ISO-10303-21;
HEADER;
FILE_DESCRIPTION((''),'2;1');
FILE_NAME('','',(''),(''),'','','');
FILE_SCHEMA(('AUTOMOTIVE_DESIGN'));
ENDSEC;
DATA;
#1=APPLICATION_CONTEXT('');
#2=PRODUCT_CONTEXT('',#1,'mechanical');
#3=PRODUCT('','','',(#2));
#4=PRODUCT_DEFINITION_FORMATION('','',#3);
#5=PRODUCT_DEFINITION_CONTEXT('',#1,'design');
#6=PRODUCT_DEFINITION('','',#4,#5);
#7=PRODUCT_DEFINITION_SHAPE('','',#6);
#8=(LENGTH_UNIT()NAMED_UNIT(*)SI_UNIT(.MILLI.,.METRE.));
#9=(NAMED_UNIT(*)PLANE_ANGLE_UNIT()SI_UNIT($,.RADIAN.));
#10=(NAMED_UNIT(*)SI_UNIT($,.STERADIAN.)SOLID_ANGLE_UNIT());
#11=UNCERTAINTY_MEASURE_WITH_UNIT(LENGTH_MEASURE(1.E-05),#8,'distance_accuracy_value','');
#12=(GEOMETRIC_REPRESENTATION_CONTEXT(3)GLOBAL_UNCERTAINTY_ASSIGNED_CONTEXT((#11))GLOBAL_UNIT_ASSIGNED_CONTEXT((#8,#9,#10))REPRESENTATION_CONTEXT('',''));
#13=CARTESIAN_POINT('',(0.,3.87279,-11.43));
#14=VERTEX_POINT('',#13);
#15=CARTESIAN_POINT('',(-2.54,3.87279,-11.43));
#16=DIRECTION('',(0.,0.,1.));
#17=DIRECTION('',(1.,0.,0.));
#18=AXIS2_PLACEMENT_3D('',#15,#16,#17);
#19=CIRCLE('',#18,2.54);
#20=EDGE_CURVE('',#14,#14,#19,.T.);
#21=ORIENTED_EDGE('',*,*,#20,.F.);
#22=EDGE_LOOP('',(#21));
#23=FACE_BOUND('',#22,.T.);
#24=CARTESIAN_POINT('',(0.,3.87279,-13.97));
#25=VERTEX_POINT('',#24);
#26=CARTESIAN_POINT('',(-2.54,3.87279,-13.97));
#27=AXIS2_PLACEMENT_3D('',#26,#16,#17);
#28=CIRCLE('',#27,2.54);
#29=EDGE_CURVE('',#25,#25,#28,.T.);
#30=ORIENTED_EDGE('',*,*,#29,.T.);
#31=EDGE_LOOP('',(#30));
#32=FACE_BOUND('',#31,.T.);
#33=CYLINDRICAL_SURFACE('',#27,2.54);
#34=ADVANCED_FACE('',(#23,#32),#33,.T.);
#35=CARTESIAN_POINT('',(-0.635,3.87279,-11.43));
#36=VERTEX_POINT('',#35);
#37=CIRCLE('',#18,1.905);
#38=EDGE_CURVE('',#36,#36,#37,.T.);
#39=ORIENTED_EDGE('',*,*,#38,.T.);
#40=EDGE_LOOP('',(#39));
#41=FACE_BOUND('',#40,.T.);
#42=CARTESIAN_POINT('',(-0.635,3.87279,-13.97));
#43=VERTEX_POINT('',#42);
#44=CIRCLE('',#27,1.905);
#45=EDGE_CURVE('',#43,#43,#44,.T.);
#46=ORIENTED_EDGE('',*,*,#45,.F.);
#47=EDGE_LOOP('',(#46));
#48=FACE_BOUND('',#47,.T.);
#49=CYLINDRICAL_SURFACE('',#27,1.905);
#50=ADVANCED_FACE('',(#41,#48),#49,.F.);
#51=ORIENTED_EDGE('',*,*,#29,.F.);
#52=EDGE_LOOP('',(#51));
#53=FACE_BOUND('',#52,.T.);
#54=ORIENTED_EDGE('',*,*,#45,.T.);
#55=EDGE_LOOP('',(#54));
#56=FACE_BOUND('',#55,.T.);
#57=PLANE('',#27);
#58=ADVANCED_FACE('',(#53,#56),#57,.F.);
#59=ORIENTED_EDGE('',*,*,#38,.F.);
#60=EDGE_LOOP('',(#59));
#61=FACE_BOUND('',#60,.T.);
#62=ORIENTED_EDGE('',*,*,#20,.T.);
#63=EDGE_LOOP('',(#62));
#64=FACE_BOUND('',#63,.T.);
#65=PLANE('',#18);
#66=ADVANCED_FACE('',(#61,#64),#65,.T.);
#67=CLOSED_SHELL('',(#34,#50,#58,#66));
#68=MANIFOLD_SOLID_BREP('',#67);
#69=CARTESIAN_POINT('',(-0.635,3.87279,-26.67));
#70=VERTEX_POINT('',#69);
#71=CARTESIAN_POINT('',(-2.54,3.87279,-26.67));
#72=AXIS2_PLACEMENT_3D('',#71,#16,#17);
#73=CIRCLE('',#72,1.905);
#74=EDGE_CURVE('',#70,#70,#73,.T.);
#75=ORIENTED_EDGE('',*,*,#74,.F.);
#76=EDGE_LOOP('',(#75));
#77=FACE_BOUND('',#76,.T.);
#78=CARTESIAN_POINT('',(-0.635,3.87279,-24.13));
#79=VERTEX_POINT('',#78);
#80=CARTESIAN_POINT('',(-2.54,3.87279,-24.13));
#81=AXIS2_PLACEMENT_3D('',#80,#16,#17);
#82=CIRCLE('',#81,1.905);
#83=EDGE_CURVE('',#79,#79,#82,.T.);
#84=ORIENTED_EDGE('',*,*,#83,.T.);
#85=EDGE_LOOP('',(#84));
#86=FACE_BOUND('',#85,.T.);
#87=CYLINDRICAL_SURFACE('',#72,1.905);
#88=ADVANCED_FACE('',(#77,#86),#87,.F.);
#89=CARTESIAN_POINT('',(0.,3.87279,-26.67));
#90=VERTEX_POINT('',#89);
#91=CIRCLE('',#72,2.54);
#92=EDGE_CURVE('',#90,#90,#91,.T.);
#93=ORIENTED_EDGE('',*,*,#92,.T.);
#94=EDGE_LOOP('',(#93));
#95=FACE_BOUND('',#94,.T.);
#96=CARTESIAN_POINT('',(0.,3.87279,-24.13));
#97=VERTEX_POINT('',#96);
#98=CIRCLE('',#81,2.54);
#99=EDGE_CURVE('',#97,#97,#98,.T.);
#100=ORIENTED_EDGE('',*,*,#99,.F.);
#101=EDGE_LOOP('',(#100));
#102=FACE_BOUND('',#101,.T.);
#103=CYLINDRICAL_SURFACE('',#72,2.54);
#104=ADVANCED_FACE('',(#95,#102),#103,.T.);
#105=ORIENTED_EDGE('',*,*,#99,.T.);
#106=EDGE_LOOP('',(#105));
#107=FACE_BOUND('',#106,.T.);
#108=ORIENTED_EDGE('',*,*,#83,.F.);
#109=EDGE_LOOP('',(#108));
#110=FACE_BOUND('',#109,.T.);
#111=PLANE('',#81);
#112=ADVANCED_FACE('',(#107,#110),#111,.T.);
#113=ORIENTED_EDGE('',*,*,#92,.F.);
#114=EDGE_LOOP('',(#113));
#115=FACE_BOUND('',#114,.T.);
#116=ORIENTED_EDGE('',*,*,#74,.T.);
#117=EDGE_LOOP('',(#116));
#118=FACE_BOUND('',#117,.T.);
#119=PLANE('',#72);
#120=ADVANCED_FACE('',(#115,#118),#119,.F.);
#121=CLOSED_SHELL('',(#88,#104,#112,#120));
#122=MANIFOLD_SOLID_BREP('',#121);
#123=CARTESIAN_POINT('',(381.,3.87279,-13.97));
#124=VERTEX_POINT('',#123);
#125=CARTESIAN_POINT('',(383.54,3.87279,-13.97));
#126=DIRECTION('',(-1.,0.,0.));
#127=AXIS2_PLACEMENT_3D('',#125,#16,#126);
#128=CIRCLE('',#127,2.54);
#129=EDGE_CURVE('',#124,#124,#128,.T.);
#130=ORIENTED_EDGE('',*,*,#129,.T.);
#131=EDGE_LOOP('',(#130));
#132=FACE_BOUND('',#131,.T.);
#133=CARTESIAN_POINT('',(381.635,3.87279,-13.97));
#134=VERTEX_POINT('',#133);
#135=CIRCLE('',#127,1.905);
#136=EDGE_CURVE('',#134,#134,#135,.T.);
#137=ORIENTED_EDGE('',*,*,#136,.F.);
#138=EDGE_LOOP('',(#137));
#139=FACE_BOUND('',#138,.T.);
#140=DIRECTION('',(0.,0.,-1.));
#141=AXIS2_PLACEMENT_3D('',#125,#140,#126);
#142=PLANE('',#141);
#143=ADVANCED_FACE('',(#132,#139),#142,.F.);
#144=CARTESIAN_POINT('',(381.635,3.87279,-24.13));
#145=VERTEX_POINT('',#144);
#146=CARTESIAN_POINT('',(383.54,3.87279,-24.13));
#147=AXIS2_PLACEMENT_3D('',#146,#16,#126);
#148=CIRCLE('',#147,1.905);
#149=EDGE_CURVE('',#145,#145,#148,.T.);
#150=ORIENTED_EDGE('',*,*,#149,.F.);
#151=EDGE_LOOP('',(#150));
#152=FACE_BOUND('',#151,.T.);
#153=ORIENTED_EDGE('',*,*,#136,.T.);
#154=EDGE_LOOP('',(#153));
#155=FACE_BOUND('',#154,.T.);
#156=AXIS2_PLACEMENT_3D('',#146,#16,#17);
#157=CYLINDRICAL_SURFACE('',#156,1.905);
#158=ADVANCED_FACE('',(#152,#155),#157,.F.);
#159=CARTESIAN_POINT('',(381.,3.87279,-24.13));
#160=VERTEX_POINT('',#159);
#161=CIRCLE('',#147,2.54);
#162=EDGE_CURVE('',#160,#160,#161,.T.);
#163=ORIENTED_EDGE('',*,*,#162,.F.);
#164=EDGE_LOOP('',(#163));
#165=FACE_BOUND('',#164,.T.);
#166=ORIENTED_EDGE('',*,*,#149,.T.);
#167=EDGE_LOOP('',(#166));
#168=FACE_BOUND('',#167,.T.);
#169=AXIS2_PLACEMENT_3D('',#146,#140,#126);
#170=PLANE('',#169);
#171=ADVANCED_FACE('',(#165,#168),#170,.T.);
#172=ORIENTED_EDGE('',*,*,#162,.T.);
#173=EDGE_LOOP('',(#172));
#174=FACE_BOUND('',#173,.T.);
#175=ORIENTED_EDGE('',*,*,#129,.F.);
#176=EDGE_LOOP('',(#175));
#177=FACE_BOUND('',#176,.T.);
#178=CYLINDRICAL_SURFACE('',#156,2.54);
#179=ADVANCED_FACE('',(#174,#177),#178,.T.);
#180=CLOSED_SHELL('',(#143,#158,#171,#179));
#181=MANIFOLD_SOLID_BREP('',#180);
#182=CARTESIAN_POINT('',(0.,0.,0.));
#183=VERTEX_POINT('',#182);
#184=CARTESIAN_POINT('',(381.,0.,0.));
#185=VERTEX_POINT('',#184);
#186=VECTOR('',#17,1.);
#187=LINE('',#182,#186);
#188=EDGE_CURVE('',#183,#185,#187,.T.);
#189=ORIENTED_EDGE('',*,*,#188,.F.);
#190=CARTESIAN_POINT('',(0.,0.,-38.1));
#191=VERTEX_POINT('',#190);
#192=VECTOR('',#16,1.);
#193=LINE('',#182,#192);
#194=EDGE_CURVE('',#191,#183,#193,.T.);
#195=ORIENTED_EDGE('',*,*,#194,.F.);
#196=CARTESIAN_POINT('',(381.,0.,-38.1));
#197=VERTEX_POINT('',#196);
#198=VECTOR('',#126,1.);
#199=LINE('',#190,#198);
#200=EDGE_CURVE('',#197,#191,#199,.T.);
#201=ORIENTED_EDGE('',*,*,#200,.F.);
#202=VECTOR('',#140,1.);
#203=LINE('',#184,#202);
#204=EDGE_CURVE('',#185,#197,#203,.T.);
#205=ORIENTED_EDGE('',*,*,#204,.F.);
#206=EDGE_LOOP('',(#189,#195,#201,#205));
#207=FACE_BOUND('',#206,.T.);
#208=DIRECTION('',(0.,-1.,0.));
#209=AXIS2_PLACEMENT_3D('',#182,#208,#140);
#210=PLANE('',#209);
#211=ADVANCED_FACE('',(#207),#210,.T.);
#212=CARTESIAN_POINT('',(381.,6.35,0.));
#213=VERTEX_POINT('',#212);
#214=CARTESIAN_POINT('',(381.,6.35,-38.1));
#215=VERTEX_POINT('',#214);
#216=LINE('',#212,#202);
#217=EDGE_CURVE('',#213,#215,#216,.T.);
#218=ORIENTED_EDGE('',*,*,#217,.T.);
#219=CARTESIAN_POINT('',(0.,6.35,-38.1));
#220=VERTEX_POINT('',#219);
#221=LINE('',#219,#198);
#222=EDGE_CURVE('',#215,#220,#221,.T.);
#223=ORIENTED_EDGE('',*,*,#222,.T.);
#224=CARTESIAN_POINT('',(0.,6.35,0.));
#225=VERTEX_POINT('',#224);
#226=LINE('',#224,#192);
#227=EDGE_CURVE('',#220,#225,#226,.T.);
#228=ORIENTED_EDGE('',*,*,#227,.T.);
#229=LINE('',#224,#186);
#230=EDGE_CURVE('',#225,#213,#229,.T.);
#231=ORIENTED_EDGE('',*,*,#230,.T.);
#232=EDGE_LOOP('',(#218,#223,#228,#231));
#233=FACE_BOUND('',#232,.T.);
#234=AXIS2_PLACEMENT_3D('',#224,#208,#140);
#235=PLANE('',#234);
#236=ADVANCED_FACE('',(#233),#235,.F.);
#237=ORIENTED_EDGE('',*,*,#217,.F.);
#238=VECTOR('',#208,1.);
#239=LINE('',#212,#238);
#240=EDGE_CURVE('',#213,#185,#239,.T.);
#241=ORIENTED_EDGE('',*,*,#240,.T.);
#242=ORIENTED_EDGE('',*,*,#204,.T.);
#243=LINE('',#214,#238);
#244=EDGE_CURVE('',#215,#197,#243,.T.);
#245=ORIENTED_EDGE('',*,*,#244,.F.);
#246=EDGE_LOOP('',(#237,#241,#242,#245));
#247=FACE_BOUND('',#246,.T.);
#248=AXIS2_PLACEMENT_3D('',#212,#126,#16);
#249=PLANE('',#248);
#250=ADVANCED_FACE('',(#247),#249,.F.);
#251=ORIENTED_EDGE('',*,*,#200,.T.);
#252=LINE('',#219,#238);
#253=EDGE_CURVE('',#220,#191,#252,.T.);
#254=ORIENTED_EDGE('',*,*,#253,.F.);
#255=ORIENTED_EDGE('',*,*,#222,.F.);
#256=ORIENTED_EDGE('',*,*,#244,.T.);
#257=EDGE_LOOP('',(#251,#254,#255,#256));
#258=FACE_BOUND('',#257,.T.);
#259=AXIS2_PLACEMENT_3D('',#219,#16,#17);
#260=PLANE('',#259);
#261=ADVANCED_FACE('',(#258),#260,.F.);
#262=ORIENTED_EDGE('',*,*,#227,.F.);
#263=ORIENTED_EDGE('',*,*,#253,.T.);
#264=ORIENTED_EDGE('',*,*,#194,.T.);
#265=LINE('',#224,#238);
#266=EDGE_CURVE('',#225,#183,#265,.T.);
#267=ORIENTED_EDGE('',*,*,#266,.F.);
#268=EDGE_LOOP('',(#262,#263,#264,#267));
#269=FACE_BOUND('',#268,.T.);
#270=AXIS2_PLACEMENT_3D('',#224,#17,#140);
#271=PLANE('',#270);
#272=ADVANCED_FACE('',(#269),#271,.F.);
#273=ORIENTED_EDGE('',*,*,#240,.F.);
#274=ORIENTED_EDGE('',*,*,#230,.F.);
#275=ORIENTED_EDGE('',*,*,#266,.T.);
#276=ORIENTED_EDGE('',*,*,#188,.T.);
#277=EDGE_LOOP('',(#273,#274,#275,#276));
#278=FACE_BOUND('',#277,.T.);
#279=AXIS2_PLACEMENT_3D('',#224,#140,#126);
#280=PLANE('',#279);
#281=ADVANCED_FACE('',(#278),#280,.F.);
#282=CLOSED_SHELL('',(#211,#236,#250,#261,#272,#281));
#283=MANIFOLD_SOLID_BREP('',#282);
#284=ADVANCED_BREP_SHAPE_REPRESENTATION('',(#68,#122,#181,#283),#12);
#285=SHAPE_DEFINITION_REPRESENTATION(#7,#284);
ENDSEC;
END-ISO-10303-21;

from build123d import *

# Parameters (mm, degrees)
SKETCH1_W                = 381
SKETCH1_H                = 38.1
BOSS_EXTRUDE1_DEPTH      = 6.35
SKETCH2_R                = 2.54
SKETCH2_R_2              = 1.905
BOSS_EXTRUDE2_DEPTH      = 1.27
LPATTERN1_COUNT          = 2
LPATTERN1_PITCH          = 12.7
BOSS_EXTRUDE4_DEPTH      = 5.08
BOSS_EXTRUDE4_DEPTH_BACK = 5.08
SKETCH4_R                = 2.54
SKETCH4_R_2              = 1.905


with BuildPart() as part:
    # Sketch1 → Boss-Extrude1 (new body)
    with BuildSketch(Plane(origin=(0, 0, 0), x_dir=(1, 0, 0), z_dir=(0, 1, 0))):
        with Locations((190.5, 19.05)):
            Rectangle(SKETCH1_W, SKETCH1_H)
    extrude(amount=BOSS_EXTRUDE1_DEPTH)


with BuildPart() as body_2:
    # Sketch2 → Boss-Extrude2 (new, symmetric)
    with BuildSketch(Plane.XY.offset(-12.7)):
        with Locations((-2.54, 3.872789775)):
            Circle(SKETCH2_R)
        with Locations((-2.54, 3.872789775)):
            Circle(SKETCH2_R_2, mode=Mode.SUBTRACT)
    boss_extrude2 = extrude(amount=BOSS_EXTRUDE2_DEPTH, both=True)


with BuildPart() as lpattern1_1:
    # LPattern1: Boss-Extrude2 ×2
    with Locations(*[(0, 0, -i * LPATTERN1_PITCH) for i in range(1, LPATTERN1_COUNT)]):
        add(boss_extrude2)


with BuildPart() as body_4:
    # Sketch4 → Boss-Extrude4 (new, two sides: drawn at the far end of the back side and taken through both)
    with BuildSketch(Plane.XY.offset(-19.05).offset(-BOSS_EXTRUDE4_DEPTH_BACK)):
        with Locations(Location((383.54, 3.872789775, 0), (0, 0, 180))):
            Circle(SKETCH4_R)
        with Locations(Location((383.54, 3.872789775, 0), (0, 0, 180))):
            Circle(SKETCH4_R_2, mode=Mode.SUBTRACT)
    extrude(amount=BOSS_EXTRUDE4_DEPTH + BOSS_EXTRUDE4_DEPTH_BACK)


solid = Compound([part.part, body_2.part, lpattern1_1.part, body_4.part])
